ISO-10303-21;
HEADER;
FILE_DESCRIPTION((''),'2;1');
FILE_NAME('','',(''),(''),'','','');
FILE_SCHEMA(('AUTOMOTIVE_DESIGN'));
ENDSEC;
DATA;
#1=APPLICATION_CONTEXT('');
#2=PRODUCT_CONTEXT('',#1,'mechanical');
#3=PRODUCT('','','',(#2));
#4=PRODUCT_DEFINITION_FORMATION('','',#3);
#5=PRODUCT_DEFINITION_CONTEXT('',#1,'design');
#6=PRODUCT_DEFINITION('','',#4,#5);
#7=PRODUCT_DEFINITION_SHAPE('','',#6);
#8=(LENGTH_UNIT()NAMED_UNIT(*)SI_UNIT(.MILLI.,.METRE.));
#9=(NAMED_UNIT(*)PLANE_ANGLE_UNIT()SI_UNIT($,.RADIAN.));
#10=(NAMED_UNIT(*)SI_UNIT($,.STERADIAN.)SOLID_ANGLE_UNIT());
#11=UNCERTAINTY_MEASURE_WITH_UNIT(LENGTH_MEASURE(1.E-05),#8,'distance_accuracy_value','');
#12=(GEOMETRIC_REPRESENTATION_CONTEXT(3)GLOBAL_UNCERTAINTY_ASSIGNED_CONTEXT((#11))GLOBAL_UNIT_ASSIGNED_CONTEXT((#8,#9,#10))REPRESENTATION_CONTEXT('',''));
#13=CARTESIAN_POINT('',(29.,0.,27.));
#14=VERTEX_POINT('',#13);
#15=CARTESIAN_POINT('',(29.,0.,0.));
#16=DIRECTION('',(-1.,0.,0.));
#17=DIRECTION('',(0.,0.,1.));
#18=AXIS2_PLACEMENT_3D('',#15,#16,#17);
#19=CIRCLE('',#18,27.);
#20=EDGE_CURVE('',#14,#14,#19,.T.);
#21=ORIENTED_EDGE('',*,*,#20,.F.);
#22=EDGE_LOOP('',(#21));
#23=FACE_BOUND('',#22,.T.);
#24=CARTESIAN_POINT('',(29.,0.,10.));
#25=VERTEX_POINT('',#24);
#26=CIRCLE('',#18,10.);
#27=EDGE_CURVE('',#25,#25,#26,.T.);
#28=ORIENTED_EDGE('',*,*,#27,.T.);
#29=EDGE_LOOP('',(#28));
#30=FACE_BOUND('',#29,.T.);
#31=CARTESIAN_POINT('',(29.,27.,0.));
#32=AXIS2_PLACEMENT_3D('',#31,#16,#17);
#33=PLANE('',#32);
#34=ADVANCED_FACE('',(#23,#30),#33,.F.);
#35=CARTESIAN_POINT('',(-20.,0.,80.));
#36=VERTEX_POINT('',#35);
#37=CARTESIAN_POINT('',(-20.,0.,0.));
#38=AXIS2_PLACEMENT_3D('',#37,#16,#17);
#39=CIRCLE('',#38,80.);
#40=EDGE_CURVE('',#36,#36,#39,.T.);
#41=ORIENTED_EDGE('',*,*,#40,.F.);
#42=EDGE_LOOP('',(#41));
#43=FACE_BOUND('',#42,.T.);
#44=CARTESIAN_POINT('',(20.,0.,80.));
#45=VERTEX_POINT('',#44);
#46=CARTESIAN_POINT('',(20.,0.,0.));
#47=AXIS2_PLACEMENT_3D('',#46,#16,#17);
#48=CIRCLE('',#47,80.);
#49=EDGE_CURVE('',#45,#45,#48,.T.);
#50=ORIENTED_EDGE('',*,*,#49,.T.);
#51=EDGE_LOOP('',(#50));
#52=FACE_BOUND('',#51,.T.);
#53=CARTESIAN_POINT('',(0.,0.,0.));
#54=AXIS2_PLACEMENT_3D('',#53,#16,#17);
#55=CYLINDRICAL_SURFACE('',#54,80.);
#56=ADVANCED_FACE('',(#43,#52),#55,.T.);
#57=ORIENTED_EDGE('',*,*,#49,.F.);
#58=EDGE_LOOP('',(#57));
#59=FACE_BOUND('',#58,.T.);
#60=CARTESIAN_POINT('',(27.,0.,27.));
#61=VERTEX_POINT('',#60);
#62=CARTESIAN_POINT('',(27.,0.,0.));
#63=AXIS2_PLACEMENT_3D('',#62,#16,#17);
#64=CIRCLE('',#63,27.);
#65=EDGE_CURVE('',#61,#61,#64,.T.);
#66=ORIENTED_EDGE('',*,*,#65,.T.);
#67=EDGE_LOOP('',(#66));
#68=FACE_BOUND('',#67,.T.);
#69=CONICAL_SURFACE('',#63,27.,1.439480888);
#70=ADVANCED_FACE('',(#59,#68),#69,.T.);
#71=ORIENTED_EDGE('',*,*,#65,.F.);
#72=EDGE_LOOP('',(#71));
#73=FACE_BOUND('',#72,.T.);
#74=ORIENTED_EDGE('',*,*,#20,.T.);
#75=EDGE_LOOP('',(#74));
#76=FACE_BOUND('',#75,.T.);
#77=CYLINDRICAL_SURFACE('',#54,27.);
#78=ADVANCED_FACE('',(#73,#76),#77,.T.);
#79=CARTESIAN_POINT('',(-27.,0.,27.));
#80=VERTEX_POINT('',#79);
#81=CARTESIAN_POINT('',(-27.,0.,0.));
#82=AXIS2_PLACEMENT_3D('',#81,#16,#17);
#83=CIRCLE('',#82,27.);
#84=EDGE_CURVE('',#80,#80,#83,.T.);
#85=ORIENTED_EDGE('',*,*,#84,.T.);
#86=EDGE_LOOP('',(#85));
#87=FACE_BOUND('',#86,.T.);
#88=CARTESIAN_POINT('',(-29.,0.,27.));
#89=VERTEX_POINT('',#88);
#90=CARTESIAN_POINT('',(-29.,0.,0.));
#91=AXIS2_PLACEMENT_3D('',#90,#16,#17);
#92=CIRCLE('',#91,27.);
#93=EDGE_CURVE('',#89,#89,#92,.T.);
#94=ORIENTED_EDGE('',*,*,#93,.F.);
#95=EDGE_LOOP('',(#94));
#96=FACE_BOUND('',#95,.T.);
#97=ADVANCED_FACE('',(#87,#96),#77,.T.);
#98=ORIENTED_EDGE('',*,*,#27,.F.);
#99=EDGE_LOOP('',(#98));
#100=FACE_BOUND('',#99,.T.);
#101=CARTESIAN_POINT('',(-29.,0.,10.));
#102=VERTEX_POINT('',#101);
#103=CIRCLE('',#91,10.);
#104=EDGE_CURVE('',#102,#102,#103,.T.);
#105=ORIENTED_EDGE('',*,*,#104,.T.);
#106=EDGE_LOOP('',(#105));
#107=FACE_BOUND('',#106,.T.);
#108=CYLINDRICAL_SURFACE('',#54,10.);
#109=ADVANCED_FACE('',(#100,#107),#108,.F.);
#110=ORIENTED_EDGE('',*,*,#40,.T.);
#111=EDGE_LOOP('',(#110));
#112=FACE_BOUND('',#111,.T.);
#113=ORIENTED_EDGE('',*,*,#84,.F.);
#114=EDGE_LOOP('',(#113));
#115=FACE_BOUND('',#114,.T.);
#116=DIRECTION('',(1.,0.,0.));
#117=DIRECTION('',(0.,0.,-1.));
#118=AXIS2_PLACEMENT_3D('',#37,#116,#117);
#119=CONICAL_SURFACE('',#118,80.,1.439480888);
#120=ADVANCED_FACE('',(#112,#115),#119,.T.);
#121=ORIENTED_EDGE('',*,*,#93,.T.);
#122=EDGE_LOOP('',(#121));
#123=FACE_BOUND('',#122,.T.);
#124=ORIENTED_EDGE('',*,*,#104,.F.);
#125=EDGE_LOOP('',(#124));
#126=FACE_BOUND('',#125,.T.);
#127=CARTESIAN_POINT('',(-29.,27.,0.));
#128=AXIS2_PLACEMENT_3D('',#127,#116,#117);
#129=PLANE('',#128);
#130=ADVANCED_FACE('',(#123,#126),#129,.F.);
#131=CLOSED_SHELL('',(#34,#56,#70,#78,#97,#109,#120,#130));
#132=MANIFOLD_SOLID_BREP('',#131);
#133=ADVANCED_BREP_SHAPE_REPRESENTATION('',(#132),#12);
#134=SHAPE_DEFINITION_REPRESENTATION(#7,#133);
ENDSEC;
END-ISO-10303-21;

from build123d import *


with BuildPart() as part:
    # Esquisse1 → Révolution1 (revolve)
    with BuildSketch(Plane.XY, mode=Mode.PRIVATE) as r_volution1_sk:
        Polygon((-20, 80), (20, 80), (27, 27), (29, 27), (29, 10), (-29, 10), (-29, 27), (-27, 27), align=None)
    revolve(r_volution1_sk.sketch.rotate(Axis((0, 0, 0), (1, 0, 0)), 90), axis=Axis((0, 0, 0), (1, 0, 0)))


solid = part.part
